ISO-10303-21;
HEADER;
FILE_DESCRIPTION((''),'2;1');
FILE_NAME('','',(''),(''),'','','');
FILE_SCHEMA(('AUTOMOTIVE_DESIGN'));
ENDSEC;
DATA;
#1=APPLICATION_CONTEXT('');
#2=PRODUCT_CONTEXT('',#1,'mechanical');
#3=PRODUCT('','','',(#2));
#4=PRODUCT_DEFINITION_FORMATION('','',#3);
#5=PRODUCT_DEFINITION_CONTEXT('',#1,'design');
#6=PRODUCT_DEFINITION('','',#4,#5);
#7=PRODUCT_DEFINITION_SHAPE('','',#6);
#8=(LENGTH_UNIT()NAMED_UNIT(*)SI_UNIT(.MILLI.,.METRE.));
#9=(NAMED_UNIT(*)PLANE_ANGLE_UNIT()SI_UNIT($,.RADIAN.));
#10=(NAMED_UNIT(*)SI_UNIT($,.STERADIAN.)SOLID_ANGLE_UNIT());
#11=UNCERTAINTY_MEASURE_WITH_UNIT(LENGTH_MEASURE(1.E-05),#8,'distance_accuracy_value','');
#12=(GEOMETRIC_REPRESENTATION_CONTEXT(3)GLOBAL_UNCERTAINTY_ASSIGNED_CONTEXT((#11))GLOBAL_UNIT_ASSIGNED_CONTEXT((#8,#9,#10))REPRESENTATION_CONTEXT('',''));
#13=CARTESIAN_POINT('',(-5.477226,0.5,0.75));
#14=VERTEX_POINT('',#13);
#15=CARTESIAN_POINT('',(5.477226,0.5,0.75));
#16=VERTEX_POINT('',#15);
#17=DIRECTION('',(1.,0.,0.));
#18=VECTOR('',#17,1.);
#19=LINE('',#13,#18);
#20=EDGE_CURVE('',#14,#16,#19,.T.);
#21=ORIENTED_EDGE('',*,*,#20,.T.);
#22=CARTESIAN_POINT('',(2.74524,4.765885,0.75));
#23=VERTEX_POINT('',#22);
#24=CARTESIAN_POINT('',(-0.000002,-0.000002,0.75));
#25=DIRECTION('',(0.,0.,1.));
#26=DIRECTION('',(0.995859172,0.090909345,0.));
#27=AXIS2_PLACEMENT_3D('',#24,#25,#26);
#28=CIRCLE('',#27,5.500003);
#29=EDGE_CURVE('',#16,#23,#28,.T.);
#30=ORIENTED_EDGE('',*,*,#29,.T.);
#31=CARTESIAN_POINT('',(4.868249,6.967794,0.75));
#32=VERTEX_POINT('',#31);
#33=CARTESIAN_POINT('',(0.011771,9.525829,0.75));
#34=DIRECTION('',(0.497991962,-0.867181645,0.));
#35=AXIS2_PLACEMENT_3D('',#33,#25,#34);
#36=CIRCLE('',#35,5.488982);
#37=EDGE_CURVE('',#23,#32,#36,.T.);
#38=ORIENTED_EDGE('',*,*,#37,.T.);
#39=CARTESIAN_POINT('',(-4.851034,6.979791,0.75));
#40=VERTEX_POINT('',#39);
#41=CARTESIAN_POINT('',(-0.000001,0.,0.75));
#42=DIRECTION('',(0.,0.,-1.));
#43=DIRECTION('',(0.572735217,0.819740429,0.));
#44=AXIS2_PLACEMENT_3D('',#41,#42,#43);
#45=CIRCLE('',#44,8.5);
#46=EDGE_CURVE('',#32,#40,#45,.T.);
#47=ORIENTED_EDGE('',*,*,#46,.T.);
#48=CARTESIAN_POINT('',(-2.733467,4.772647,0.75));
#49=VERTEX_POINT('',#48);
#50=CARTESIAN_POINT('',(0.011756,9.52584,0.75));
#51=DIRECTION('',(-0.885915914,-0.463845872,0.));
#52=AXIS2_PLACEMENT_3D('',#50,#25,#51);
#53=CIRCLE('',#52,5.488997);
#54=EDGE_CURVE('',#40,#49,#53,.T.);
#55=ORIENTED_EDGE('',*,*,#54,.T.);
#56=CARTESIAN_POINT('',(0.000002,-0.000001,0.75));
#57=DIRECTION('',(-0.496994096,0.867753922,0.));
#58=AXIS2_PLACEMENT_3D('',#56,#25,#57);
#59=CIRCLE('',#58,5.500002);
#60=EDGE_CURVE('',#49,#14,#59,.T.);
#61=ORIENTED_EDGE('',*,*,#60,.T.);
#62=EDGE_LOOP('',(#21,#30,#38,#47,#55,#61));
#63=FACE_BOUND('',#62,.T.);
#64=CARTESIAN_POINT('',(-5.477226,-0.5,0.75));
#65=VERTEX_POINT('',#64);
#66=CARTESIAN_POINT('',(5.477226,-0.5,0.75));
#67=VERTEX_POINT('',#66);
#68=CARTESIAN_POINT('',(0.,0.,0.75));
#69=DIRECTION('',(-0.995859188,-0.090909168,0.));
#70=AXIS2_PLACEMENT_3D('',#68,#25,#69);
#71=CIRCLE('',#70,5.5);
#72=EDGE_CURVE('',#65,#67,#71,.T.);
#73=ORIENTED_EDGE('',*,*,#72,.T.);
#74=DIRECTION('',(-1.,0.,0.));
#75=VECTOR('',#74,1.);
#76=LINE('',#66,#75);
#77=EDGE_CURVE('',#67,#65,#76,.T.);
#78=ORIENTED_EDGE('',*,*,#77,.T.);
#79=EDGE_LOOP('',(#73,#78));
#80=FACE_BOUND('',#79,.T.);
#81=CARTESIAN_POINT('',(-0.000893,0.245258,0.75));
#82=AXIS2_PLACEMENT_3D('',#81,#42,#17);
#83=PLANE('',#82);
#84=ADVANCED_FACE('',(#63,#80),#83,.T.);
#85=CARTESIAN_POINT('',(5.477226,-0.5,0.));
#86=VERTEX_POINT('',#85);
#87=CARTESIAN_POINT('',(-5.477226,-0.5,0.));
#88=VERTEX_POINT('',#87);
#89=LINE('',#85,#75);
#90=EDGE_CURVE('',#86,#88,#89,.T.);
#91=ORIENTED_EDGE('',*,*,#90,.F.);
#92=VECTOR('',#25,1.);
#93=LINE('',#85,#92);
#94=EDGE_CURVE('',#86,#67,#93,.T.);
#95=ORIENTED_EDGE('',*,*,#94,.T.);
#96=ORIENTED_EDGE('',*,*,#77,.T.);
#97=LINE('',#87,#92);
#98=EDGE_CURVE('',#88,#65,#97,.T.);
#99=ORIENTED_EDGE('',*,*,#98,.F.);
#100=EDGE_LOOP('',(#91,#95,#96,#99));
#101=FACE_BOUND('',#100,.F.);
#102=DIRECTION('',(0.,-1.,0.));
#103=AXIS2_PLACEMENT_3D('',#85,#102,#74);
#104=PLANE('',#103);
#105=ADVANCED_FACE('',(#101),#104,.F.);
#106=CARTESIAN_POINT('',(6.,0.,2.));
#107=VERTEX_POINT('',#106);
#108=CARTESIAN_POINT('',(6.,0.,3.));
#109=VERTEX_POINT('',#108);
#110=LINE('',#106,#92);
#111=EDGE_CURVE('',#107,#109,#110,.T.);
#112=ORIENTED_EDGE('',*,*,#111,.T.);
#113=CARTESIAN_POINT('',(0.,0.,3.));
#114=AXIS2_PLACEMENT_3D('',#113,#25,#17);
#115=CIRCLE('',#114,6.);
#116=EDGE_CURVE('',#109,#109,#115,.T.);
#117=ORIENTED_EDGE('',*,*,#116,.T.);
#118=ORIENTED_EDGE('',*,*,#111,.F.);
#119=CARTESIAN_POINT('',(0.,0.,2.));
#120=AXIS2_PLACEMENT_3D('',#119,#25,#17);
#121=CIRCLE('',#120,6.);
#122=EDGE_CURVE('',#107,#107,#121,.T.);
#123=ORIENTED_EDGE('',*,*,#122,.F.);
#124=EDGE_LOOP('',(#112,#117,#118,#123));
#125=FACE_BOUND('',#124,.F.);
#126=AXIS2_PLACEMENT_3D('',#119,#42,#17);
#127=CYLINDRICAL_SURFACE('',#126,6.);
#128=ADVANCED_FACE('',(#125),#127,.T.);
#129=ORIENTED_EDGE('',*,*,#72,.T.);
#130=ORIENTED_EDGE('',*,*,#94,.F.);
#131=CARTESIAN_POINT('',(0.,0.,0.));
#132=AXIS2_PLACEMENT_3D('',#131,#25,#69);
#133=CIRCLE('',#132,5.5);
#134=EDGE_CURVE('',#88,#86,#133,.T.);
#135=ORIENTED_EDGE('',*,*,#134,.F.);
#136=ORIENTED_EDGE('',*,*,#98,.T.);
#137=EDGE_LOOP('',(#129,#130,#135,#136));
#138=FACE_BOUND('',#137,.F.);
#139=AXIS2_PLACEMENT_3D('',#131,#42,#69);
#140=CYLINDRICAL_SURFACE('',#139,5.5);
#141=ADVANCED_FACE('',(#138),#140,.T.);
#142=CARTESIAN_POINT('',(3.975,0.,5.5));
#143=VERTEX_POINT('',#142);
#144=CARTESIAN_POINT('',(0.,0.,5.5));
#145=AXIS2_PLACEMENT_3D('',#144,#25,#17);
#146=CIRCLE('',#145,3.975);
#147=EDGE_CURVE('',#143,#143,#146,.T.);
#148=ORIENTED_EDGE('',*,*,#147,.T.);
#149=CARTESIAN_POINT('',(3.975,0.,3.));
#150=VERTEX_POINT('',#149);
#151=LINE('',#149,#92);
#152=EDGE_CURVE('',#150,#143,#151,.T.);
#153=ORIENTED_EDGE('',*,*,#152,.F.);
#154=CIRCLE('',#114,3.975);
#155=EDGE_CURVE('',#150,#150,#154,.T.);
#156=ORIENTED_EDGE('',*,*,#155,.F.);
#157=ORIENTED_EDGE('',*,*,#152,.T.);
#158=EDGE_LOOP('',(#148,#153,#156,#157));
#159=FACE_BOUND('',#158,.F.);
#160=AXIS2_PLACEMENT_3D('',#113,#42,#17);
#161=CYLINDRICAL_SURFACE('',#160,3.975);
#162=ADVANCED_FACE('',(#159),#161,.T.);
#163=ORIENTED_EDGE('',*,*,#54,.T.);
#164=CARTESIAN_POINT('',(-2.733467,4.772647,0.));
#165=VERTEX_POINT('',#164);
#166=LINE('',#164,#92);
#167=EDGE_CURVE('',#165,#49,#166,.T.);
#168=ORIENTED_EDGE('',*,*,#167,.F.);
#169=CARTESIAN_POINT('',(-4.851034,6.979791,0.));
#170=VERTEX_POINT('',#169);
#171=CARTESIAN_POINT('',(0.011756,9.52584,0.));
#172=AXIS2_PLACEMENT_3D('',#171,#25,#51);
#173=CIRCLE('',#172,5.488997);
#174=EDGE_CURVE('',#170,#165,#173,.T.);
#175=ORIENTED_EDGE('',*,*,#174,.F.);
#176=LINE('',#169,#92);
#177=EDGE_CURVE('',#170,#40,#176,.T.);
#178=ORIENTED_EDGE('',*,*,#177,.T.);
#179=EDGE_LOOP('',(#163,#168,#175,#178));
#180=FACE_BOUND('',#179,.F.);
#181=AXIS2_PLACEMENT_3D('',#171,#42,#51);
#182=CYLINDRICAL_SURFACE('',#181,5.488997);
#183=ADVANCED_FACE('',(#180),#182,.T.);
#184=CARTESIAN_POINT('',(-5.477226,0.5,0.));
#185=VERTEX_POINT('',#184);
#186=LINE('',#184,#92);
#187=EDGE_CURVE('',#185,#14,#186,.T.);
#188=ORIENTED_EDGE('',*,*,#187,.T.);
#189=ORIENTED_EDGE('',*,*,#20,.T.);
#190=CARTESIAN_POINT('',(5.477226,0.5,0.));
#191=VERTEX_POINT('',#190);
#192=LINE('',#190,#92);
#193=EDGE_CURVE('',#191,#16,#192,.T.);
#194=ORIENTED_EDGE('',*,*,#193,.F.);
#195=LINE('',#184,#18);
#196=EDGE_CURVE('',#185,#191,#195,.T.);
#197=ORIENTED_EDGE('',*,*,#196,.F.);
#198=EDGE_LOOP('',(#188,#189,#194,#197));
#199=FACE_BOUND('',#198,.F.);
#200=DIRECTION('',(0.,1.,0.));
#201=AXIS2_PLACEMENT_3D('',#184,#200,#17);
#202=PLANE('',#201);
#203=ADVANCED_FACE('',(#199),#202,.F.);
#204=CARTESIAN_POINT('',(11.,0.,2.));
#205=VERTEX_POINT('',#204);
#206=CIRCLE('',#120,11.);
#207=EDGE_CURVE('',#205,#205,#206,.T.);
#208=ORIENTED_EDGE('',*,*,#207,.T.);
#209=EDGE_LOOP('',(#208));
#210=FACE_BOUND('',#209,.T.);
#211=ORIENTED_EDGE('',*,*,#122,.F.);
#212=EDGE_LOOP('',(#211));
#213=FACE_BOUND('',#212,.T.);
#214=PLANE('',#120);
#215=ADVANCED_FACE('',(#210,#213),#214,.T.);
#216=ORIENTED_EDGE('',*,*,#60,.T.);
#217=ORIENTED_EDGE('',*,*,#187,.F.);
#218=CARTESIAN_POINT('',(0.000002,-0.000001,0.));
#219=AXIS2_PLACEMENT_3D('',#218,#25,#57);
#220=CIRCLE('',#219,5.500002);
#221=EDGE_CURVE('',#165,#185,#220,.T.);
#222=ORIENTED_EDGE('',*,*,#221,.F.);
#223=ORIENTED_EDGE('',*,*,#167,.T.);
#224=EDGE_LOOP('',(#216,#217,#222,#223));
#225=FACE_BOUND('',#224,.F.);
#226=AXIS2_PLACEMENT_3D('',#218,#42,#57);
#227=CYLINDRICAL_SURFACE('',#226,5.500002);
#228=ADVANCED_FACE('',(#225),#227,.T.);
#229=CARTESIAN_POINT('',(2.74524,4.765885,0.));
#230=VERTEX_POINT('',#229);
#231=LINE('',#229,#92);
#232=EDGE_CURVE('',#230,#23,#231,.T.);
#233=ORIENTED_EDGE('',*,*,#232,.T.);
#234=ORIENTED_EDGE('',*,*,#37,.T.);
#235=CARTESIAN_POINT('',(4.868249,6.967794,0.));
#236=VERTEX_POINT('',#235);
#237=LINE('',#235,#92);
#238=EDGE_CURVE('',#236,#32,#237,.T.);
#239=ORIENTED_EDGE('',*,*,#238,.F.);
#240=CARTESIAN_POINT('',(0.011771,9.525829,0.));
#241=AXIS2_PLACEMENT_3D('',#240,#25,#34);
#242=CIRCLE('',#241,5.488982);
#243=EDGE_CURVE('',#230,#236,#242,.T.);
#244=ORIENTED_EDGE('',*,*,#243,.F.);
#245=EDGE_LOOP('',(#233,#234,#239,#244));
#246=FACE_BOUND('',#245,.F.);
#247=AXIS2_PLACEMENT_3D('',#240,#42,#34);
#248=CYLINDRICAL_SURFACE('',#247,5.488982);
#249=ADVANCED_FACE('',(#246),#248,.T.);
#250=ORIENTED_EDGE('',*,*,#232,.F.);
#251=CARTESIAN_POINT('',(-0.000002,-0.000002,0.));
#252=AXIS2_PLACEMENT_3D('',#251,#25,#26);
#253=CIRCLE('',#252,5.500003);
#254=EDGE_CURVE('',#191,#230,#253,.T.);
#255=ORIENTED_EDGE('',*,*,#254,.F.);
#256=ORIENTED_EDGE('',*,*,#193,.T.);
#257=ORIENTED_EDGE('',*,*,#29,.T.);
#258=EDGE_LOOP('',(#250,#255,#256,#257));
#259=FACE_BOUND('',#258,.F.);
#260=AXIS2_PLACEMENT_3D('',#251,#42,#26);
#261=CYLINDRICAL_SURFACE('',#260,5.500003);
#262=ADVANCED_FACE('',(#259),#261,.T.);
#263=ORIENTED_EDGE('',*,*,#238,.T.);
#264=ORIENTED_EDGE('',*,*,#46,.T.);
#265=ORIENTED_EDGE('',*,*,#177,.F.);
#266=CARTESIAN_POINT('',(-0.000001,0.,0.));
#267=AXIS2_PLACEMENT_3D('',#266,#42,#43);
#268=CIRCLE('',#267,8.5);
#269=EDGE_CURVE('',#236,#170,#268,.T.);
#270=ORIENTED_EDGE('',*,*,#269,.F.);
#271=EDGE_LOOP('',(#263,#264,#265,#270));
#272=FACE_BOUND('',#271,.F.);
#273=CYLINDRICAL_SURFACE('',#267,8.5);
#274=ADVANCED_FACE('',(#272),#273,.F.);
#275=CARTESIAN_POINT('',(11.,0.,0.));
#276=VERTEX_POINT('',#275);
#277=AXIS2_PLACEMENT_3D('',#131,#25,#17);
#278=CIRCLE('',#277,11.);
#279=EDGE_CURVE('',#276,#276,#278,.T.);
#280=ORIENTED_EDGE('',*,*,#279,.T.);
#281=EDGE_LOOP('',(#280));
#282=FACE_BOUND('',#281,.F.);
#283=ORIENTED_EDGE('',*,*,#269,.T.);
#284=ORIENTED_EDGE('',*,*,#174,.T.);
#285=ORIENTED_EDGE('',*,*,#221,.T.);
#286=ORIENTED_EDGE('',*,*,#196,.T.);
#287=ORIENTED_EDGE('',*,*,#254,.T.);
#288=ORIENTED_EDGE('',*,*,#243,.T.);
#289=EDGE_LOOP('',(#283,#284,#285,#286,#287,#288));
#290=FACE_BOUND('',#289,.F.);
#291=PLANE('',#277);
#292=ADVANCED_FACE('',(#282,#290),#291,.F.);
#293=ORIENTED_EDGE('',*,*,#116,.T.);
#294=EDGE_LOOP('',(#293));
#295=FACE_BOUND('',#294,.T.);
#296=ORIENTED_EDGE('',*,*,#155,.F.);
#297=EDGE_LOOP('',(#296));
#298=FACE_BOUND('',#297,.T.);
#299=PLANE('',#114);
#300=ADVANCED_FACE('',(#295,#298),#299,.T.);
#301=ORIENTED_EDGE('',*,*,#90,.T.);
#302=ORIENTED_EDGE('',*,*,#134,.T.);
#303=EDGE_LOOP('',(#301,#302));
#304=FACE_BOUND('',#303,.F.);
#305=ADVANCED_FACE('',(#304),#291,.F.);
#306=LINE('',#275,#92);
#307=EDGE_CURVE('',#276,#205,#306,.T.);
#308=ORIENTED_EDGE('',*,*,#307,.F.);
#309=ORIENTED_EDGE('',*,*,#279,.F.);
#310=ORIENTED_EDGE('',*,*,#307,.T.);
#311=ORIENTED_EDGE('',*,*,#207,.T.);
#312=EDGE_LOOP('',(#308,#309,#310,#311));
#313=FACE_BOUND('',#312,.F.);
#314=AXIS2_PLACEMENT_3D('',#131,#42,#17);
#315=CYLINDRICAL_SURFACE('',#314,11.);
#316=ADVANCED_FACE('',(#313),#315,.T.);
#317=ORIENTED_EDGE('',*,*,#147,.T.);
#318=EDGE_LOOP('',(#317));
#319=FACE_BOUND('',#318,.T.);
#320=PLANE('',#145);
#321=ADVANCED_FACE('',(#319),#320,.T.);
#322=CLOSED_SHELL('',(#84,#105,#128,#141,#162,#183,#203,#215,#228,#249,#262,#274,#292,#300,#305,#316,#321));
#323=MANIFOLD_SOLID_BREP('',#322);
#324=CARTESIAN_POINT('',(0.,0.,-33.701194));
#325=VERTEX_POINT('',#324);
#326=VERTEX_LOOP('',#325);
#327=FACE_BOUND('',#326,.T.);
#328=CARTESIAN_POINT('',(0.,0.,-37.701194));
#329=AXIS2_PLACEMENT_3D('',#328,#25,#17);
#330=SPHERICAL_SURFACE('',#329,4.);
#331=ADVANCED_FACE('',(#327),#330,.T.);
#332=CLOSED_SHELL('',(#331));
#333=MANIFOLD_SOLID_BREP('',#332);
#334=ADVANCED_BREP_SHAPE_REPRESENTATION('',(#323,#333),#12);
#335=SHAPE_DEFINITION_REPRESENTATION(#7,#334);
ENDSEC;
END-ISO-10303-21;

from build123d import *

# Parameters (mm, degrees)
F0_R     = 11
F1_DEPTH = 2
F2_R     = 6
F3_DEPTH = 1
F4_R     = 3.975
F5_DEPTH = 2.5
F7_DEPTH = 0.75


with BuildPart() as f1:
    # F0 (on Top) → F1 (new body)
    with BuildSketch(Plane.XY):
        Circle(F0_R)
    extrude(amount=F1_DEPTH)

    # F2 (on face) → F3 (join)
    with BuildSketch(Plane.XY.offset(2)):
        Circle(F2_R)
    extrude(amount=F3_DEPTH)

    # F4 (on face) → F5 (join)
    with BuildSketch(Plane.XY.offset(3)):
        Circle(F4_R)
    extrude(amount=F5_DEPTH)

    # F6 (on face) → F7 (cut)
    with BuildSketch(Plane(origin=(0, 0, 0), x_dir=(1, 0, 0), z_dir=(0, 0, -1))):
        with BuildLine():
            ThreePointArc((2.74524, -4.765885), (3.963217, -5.715974), (4.868249, -6.967794))
            ThreePointArc((4.868249, -6.967794), (-0.010492, 8.499994), (-4.851034, -6.979791))
            ThreePointArc((-4.851034, -6.979791), (-3.949094, -5.72574), (-2.733467, -4.772647))
            ThreePointArc((-2.733467, -4.772647), (-4.627931, -2.971911), (-5.477226, -0.5))
            Line((-5.477226, -0.5), (5.477226, -0.5))
            ThreePointArc((5.477226, -0.5), (4.631596, -2.966196), (2.74524, -4.765885))
        make_face()
        with BuildLine():
            ThreePointArc((-5.477226, 0.5), (0, 5.5), (5.477226, 0.5))
            Line((5.477226, 0.5), (-5.477226, 0.5))
        make_face(mode=Mode.SUBTRACT)
    extrude(amount=-F7_DEPTH, mode=Mode.SUBTRACT)


with BuildPart() as f9:
    # F8 (on Front) → F9 (revolve)
    with BuildSketch(Plane.XZ):
        with BuildLine():
            Line((0, -33.701194), (0, -41.701194))
            ThreePointArc((0, -41.701194), (4, -37.701194), (0, -33.701194))
        make_face()
    revolve(axis=Axis((0, 0, -37.701194), (0, 0, 1)))


solid = Compound([f1.part, f9.part])
